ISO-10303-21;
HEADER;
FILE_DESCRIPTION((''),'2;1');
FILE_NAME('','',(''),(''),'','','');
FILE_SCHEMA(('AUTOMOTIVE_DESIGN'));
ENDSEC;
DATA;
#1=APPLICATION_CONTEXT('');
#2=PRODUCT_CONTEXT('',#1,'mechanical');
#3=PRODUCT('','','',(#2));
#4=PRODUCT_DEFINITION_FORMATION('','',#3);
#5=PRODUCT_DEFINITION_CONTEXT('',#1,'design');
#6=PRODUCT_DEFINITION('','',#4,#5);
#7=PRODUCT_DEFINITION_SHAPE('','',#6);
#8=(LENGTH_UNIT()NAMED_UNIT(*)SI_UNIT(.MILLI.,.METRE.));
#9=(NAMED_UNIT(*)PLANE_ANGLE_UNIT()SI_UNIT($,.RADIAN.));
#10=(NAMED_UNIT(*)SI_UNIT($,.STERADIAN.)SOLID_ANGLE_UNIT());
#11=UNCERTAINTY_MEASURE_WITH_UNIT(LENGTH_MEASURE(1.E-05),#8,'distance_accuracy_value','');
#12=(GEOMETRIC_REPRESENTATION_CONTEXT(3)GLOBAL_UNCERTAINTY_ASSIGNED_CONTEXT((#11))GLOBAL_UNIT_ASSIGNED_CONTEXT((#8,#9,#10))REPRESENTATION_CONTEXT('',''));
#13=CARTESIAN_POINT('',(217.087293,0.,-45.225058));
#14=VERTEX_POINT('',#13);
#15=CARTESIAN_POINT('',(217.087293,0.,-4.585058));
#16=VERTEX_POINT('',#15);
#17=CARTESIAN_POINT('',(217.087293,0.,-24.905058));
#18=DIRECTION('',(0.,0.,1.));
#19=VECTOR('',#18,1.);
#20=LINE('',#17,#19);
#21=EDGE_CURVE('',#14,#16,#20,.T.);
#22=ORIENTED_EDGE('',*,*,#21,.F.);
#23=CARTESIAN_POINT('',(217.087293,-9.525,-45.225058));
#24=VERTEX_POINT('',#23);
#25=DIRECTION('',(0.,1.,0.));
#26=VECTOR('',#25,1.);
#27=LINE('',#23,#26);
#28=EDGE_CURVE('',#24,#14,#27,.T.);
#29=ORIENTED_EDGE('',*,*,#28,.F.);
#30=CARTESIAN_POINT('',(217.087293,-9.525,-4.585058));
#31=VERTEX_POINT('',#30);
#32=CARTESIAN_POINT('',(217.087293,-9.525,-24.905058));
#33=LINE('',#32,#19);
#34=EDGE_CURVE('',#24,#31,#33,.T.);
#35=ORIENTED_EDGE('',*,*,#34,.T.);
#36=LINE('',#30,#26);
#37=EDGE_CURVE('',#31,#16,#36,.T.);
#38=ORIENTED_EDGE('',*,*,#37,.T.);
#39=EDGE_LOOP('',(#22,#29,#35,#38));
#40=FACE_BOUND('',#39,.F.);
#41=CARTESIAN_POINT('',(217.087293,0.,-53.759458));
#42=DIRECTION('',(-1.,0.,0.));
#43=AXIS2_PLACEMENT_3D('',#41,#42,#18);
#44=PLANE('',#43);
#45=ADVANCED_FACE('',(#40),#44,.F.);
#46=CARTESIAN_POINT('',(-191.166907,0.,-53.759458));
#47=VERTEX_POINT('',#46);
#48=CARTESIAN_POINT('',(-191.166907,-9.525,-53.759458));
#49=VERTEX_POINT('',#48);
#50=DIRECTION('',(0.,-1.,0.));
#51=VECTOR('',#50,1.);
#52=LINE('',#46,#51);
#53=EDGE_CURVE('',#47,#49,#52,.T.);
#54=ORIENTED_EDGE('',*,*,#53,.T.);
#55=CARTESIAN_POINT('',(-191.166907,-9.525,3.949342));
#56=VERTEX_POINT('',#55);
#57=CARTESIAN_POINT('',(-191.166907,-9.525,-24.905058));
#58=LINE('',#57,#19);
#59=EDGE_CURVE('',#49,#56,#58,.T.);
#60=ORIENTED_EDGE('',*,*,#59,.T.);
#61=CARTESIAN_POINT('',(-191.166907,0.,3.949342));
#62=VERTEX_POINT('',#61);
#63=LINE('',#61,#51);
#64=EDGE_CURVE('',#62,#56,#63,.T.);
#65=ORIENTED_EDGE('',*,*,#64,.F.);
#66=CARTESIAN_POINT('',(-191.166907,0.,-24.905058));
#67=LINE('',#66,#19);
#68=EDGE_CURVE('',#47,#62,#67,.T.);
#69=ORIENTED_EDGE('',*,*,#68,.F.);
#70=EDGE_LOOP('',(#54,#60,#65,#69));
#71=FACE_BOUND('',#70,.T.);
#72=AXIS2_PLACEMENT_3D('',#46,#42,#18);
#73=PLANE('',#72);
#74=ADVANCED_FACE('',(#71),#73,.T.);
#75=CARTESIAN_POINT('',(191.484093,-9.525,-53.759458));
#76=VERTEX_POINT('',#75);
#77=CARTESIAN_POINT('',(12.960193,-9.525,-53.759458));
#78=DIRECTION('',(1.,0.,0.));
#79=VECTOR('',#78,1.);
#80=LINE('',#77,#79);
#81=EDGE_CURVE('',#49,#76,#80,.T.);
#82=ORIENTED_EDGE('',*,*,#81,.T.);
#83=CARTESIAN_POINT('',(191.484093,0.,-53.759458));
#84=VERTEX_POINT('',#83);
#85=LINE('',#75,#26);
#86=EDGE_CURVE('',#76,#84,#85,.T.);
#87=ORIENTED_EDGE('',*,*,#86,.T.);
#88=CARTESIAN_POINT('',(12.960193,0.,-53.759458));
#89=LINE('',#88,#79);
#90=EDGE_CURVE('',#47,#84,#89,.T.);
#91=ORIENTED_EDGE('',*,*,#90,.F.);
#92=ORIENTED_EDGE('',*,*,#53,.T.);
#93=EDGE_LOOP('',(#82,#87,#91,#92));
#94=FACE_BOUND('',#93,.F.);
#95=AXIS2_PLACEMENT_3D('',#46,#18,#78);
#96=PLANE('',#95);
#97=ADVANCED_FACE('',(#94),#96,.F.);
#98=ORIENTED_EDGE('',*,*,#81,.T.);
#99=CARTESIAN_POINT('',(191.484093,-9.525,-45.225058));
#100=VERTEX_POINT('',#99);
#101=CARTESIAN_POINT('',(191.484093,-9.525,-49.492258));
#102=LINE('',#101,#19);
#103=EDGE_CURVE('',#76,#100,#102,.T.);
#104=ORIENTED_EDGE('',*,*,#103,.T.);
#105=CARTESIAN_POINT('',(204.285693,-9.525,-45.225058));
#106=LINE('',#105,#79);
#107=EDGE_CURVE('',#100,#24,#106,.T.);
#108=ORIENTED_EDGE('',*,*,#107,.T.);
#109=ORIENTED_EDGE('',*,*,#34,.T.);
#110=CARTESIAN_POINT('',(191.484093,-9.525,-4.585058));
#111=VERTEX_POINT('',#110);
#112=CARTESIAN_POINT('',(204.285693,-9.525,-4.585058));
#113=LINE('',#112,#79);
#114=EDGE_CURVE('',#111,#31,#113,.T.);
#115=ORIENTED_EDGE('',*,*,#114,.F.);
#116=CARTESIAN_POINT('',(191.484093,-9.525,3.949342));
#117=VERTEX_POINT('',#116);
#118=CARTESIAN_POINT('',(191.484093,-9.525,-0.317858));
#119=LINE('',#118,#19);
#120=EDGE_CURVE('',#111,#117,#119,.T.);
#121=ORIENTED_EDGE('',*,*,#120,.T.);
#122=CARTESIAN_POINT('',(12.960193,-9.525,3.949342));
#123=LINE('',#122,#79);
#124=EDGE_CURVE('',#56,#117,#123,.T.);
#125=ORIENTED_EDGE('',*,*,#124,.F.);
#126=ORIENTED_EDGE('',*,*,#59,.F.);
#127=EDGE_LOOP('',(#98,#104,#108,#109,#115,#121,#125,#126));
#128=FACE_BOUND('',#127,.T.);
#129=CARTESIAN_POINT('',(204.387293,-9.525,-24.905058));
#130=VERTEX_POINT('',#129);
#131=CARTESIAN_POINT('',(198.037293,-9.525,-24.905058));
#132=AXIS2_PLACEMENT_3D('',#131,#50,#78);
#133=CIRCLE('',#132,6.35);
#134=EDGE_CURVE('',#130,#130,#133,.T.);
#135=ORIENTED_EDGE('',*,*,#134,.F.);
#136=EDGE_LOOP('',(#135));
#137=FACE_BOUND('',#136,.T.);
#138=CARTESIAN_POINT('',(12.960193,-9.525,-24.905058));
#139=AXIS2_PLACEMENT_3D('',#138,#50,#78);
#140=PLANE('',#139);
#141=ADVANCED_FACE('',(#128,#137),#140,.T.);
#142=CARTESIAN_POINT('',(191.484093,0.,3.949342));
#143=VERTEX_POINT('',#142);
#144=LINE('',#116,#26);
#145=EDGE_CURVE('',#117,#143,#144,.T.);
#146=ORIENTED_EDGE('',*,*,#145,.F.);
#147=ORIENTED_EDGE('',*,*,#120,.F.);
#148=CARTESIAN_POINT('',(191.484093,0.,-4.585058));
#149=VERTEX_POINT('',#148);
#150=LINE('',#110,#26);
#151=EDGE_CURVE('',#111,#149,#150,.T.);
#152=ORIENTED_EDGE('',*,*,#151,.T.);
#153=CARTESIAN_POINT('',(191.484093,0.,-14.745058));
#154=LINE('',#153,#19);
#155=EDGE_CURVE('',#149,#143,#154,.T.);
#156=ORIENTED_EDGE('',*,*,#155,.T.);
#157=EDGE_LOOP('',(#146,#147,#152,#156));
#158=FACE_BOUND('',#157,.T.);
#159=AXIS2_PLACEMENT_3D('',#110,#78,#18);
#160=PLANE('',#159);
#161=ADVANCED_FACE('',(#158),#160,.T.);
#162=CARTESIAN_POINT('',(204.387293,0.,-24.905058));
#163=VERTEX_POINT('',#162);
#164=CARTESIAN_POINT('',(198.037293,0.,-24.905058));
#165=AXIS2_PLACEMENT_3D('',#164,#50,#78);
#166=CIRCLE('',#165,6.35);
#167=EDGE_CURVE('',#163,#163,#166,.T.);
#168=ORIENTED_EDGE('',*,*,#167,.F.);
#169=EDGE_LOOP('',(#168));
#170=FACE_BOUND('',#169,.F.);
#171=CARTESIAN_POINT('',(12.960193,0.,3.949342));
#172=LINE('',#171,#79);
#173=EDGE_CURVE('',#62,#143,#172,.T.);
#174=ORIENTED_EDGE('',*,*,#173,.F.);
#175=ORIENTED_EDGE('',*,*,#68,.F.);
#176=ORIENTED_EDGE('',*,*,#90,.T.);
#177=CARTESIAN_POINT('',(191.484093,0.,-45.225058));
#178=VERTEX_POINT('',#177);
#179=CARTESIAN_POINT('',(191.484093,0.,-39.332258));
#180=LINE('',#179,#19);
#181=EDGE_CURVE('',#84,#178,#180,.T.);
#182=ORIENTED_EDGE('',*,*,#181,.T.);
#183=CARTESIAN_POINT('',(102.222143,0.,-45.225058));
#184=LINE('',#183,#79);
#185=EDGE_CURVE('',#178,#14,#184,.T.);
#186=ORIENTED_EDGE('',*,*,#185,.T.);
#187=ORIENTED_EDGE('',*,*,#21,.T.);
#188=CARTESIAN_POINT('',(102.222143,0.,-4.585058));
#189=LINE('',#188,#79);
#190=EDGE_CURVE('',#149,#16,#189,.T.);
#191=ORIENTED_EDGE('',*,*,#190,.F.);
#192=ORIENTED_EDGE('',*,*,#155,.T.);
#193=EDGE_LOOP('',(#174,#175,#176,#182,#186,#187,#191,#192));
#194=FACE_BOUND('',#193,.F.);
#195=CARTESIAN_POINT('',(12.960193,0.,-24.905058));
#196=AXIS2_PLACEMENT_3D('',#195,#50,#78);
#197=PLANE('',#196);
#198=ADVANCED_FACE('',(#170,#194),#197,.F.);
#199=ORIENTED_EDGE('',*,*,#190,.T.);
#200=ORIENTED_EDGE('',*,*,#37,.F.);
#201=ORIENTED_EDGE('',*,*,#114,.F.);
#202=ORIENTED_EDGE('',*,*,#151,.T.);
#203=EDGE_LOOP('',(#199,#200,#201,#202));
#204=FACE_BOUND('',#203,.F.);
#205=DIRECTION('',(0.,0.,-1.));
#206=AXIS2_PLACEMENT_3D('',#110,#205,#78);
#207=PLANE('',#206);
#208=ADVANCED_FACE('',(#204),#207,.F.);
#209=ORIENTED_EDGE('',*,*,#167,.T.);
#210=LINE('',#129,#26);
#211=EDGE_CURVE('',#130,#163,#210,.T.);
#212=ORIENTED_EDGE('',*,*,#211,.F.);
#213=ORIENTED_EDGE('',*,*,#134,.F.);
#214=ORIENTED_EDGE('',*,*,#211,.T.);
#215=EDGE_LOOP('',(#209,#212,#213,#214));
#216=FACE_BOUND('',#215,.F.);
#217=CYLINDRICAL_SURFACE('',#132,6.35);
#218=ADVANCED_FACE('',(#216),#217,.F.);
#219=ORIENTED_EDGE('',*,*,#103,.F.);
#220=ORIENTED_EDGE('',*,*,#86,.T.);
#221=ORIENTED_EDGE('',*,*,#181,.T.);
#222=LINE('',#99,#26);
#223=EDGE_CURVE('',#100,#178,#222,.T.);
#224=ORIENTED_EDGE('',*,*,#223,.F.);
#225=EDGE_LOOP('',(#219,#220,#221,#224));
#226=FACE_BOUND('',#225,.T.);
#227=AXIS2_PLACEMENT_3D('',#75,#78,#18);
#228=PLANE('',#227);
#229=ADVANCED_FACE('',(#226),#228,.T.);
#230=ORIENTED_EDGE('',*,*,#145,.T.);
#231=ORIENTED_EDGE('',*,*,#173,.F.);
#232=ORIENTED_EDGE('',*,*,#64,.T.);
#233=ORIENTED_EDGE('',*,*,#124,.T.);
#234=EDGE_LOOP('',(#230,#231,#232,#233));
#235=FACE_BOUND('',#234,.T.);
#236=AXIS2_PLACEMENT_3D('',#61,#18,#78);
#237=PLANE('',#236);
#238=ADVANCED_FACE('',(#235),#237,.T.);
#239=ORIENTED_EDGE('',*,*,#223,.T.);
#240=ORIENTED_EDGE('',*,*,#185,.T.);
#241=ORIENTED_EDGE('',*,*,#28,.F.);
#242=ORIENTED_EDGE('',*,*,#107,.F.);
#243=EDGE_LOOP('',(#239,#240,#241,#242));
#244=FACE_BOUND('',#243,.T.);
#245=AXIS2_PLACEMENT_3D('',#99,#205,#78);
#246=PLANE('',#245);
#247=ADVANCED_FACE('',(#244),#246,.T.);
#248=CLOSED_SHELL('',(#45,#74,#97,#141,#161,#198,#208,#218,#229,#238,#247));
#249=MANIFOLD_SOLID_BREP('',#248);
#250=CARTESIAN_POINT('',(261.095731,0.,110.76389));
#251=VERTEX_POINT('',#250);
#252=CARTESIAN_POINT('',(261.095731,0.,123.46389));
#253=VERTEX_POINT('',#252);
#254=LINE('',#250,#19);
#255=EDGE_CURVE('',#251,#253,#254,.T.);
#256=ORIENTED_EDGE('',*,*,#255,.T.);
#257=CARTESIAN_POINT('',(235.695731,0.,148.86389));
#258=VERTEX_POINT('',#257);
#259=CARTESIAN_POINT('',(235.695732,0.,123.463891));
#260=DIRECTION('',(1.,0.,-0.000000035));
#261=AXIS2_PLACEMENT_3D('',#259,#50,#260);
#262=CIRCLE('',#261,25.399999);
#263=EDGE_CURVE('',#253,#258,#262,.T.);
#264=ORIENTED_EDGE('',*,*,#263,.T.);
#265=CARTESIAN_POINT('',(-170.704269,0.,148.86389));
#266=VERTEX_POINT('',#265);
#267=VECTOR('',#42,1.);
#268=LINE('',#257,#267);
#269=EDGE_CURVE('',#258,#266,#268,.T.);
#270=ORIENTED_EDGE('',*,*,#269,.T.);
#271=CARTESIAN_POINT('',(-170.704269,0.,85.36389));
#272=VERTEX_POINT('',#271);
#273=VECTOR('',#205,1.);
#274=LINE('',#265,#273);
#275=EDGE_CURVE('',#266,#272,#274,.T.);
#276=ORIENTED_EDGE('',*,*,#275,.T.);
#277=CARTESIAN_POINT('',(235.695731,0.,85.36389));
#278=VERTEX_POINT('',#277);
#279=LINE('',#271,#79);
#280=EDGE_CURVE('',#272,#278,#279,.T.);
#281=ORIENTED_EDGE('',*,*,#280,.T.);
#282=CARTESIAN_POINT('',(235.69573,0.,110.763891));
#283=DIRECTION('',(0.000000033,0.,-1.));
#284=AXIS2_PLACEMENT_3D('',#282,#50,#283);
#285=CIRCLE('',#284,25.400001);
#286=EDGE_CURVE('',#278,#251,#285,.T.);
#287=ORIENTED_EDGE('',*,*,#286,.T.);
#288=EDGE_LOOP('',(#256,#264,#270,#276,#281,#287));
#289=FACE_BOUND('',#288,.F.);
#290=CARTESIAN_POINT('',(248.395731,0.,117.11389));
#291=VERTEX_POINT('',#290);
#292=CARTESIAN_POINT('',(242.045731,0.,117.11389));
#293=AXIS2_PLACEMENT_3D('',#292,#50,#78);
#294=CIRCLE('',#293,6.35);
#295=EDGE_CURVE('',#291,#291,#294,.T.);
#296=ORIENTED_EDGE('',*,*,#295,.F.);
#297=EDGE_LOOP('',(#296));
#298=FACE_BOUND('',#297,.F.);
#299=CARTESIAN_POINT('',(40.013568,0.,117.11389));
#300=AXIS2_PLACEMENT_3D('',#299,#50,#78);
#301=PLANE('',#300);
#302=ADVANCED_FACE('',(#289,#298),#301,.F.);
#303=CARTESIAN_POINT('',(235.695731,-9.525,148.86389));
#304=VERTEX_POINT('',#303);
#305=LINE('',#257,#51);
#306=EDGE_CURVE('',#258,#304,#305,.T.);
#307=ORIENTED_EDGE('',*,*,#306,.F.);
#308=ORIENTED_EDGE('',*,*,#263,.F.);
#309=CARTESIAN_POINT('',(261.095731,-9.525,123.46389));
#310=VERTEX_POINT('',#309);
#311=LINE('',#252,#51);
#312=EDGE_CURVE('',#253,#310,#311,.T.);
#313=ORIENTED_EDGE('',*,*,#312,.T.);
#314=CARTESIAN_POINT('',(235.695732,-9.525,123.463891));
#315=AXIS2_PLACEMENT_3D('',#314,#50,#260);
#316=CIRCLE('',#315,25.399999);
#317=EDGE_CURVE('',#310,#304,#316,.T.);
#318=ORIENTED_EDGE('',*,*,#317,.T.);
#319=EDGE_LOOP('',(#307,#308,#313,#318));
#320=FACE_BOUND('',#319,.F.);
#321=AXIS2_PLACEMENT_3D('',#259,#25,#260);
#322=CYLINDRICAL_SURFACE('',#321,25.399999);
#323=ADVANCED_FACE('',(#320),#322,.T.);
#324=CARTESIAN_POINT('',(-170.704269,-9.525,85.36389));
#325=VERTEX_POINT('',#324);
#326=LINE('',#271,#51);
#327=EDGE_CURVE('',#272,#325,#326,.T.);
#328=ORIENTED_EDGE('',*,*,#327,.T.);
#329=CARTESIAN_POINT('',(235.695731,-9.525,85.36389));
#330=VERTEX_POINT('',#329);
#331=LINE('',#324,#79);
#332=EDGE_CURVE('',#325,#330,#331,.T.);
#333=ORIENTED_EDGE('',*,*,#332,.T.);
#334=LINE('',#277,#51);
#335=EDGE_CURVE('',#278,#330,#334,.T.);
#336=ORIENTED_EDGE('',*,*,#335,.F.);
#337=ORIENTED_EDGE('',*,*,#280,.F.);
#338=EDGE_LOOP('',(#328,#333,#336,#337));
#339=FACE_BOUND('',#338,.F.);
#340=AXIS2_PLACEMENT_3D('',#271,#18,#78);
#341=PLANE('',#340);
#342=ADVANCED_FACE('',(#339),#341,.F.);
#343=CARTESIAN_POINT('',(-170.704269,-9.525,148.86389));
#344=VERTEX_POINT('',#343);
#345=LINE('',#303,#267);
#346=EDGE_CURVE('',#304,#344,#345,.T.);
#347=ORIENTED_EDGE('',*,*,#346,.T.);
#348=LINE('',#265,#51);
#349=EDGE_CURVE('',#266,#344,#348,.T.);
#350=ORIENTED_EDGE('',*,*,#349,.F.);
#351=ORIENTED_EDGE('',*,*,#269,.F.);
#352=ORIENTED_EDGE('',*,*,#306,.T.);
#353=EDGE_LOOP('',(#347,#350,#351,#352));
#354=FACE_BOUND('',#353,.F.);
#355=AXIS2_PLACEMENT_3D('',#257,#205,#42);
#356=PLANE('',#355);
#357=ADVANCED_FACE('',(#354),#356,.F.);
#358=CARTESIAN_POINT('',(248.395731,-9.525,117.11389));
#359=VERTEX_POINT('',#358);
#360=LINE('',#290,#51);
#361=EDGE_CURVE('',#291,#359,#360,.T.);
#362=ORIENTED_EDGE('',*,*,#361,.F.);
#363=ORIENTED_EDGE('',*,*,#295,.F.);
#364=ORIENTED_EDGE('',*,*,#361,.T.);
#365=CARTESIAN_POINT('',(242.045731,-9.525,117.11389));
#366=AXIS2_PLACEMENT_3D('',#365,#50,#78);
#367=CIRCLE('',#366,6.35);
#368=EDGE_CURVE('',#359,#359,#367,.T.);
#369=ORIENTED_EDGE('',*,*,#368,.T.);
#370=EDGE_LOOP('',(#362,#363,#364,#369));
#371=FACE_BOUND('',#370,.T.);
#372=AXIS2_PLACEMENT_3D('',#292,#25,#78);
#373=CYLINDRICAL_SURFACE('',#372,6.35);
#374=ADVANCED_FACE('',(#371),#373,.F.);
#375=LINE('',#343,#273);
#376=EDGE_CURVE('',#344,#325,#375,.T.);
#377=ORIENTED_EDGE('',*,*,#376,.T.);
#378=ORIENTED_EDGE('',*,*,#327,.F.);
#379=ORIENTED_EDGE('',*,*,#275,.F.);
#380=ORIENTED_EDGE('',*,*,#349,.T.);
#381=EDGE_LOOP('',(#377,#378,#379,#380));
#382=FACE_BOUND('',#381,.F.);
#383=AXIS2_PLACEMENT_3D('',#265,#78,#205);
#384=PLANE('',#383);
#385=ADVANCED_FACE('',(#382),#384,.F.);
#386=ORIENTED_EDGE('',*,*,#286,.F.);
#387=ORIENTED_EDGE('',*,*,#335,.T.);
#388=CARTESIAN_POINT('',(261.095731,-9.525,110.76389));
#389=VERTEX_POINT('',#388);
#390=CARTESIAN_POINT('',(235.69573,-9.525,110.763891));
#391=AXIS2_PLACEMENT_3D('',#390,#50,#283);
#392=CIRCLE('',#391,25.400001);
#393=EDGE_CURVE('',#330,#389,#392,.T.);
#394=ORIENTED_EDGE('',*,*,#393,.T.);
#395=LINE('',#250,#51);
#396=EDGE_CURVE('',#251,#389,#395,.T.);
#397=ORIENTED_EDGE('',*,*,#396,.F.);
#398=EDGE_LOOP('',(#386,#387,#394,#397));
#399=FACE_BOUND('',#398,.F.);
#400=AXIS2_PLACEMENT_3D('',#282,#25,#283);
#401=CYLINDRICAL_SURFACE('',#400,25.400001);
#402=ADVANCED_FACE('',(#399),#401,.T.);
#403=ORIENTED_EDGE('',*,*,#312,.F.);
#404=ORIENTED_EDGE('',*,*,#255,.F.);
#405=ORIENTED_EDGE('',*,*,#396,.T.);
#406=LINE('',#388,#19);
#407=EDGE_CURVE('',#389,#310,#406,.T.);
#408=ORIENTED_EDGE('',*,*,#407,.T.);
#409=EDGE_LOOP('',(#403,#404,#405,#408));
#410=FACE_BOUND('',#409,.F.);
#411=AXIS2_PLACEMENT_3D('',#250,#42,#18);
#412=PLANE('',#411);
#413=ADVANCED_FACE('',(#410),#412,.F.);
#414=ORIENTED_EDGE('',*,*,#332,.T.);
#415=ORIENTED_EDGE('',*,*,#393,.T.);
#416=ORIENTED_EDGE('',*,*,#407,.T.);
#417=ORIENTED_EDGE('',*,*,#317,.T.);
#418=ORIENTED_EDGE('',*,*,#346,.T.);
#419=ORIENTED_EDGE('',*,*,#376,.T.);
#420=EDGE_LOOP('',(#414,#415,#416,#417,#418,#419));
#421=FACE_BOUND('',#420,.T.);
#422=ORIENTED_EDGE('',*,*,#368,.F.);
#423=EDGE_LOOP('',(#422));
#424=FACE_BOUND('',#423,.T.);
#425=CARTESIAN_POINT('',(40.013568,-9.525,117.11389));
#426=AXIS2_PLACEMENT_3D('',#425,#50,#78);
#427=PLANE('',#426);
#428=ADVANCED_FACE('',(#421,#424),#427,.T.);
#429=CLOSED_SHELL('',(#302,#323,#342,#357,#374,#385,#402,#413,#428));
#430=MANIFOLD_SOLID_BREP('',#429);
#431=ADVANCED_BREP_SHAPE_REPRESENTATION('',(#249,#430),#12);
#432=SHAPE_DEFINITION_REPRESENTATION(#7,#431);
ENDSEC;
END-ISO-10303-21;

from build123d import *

# Parameters (mm, degrees)
F0_W     = 408.2542
F0_H     = 57.7088
F1_DEPTH = 9.525
F2_R     = 6.35
F3_DEPTH = 9.525
F4_W     = 25.6032
F4_H     = 8.5344
F5_DEPTH = 25.4
F6_DEPTH = 25.4
F7_R     = 6.35
F8_DEPTH = 9.525


with BuildPart() as f1:
    # F0 (on Front) → F1 (new body)
    with BuildSketch(Plane.XZ):
        with Locations((12.960193, -24.905058)):
            Rectangle(F0_W, F0_H)
    extrude(amount=F1_DEPTH)

    # F2 (on face) → F3 (cut)
    with BuildSketch(Plane.XZ.offset(9.525)):
        with Locations((198.037293, -24.905058)):
            Circle(F2_R)
    extrude(amount=-F3_DEPTH, mode=Mode.SUBTRACT)

    # F4 (on face) → F5 (cut)
    with BuildSketch(Plane.XZ.offset(9.525)):
        with Locations((204.285693, -0.317858)):
            Rectangle(F4_W, F4_H)
    extrude(amount=-F5_DEPTH, mode=Mode.SUBTRACT)

    # F4 (on face) → F6 (cut)
    with BuildSketch(Plane.XZ.offset(9.525)):
        with Locations((204.285693, -49.492258)):
            Rectangle(F4_W, F4_H)
    extrude(amount=-F6_DEPTH, mode=Mode.SUBTRACT)


with BuildPart() as f8:
    # F7 (on Front) → F8 (new body)
    with BuildSketch(Plane.XZ):
        with BuildLine():
            Line((235.695731, 148.86389), (-170.704269, 148.86389))
            Line((-170.704269, 148.86389), (-170.704269, 85.36389))
            Line((-170.704269, 85.36389), (235.695731, 85.36389))
            ThreePointArc((235.695731, 85.36389), (253.656243, 92.803378), (261.095731, 110.76389))
            Line((261.095731, 110.76389), (261.095731, 123.46389))
            ThreePointArc((261.095731, 123.46389), (253.656243, 141.424403), (235.695731, 148.86389))
        make_face()
        with Locations((242.045731, 117.11389)):
            Circle(F7_R, mode=Mode.SUBTRACT)
    extrude(amount=F8_DEPTH)


solid = Compound([f1.part, f8.part])
